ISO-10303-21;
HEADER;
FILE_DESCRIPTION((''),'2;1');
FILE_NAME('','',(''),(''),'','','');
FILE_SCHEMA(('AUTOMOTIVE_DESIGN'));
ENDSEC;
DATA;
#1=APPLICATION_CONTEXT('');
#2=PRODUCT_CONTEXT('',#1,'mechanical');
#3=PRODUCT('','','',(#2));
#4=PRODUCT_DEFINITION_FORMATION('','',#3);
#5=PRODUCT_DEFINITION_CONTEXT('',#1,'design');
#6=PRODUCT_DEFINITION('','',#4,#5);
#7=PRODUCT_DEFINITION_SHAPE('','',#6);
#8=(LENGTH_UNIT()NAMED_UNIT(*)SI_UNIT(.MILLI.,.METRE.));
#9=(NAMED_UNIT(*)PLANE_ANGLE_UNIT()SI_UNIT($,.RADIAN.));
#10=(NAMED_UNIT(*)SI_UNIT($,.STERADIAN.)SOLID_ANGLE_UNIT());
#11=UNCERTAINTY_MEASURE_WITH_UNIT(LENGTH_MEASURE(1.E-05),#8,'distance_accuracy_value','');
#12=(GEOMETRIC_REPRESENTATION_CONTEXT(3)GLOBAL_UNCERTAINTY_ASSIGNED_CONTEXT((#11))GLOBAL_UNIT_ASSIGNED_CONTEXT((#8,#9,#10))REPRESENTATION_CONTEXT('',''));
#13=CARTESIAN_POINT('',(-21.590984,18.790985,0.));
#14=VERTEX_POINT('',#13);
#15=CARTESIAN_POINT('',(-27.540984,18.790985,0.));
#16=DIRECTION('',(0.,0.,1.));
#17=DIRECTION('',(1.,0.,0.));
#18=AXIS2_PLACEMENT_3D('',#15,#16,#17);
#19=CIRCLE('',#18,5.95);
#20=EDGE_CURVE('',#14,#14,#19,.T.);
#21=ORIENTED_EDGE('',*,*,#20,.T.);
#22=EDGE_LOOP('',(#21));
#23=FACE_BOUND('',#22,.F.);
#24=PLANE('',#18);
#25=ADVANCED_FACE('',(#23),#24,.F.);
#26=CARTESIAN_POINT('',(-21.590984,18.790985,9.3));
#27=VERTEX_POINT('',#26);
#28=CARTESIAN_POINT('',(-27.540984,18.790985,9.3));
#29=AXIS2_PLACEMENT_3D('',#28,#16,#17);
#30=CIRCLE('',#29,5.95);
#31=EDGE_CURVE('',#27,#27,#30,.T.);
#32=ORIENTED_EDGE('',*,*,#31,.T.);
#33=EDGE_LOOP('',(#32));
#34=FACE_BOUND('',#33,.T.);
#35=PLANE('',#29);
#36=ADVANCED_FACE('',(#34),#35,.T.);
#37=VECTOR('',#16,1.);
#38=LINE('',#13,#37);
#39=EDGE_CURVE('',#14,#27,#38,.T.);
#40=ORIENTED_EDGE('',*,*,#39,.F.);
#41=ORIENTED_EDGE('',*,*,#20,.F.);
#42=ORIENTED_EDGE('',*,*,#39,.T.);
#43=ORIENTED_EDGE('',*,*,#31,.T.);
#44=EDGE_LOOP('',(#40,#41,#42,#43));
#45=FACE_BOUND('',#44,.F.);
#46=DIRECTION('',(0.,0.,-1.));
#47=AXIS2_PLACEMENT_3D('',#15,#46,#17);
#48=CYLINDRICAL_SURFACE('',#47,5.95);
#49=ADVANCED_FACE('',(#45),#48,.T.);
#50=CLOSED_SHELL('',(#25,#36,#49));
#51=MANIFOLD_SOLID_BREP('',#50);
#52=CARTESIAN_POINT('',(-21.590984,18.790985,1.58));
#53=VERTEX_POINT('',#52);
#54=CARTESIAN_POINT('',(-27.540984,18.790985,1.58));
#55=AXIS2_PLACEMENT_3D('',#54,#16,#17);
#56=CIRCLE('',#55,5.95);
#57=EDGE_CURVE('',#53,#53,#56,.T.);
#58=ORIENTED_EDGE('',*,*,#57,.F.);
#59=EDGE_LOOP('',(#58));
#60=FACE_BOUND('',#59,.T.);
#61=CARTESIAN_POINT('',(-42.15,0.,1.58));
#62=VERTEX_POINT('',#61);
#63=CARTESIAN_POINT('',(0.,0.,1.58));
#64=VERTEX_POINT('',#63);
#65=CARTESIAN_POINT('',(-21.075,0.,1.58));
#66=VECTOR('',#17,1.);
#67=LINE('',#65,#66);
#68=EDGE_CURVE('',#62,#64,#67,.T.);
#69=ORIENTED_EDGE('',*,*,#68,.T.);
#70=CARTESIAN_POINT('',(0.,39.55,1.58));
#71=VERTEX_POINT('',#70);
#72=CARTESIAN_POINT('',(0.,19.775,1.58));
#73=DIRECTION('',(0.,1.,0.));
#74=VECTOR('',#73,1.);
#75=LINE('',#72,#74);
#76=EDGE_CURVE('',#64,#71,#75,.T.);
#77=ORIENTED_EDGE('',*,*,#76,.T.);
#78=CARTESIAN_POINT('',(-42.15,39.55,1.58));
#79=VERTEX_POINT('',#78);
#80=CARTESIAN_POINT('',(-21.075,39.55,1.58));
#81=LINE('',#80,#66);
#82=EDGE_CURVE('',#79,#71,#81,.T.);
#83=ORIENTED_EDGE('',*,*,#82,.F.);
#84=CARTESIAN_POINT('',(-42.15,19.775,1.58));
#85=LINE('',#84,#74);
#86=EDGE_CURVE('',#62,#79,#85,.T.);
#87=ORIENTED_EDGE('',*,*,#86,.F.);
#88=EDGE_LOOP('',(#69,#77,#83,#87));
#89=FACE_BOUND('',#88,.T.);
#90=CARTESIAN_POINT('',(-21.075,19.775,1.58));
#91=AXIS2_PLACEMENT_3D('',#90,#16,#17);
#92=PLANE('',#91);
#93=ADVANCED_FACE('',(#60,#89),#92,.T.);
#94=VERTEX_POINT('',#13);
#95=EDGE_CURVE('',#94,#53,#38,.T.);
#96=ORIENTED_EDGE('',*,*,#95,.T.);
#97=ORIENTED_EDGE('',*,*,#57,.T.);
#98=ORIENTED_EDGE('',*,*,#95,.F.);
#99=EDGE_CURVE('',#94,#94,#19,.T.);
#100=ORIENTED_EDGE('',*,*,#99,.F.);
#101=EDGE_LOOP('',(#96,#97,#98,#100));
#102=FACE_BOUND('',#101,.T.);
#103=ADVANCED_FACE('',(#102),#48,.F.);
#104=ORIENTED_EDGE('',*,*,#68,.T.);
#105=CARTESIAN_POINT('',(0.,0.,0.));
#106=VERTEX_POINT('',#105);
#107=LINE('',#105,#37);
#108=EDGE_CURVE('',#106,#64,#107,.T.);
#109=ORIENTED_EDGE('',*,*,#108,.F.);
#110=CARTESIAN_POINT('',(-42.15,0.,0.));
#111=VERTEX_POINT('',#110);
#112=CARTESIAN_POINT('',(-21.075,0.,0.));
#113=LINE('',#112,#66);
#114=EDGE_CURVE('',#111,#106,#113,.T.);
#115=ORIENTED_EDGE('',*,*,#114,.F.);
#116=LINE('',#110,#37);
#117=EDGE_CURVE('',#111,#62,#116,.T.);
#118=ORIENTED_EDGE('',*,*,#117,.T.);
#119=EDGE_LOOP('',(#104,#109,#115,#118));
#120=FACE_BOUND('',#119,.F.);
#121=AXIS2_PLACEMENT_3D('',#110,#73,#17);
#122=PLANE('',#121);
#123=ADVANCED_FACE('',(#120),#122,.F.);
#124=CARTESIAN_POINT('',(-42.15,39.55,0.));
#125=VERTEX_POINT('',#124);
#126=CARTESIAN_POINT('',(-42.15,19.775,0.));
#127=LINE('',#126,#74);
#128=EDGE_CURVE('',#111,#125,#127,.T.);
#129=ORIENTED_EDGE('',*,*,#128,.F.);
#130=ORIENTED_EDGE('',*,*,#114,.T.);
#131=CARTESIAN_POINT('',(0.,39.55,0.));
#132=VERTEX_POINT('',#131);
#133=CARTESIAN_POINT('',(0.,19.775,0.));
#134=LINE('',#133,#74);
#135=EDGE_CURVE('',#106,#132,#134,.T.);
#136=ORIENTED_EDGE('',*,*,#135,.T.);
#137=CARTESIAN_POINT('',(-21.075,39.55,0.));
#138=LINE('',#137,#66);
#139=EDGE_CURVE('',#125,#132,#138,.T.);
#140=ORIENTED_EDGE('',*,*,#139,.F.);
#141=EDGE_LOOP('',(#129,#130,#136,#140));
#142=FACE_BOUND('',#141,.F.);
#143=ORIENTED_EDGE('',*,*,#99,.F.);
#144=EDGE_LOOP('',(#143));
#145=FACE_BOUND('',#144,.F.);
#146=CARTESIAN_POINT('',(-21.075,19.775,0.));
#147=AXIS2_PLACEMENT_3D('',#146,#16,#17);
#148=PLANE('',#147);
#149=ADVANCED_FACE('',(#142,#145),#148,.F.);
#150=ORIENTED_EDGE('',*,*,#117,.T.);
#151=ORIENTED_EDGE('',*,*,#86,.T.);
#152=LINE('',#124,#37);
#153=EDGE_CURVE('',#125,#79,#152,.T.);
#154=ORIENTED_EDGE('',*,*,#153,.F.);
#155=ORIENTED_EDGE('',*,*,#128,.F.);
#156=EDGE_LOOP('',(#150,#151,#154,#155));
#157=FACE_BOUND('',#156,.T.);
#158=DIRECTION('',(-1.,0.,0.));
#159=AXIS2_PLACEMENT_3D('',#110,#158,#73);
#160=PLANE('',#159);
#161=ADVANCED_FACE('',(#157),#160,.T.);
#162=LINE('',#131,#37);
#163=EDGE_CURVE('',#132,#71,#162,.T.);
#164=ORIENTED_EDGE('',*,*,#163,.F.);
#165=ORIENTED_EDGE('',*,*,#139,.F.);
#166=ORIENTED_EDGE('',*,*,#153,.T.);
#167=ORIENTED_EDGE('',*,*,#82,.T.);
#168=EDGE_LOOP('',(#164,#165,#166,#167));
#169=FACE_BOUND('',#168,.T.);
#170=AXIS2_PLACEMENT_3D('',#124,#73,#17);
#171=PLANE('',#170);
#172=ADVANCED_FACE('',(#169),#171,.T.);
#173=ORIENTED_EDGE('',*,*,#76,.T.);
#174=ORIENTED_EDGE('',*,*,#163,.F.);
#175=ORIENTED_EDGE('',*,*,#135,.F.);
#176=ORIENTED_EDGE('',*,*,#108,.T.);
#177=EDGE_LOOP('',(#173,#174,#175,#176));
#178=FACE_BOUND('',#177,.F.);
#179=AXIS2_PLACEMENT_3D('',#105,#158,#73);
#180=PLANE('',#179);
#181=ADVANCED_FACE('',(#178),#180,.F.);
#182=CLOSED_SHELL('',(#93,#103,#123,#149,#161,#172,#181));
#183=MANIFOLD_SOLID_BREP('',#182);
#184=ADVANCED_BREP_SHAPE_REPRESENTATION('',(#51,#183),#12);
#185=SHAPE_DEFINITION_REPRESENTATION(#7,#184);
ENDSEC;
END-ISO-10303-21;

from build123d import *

# Parameters (mm, degrees)
F0_R     = 5.95
F1_DEPTH = 9.3
F0_W     = 42.15
F0_H     = 39.55
F2_DEPTH = 1.58


with BuildPart() as f1:
    # F0 (on Top) → F1 (new body)
    with BuildSketch(Plane.XY):
        with Locations((-27.540984, 18.790985)):
            Circle(F0_R)
    extrude(amount=F1_DEPTH)


with BuildPart() as f2:
    # F0 (on Top) → F2 (new body)
    with BuildSketch(Plane.XY):
        with Locations((-21.075, 19.775)):
            Rectangle(F0_W, F0_H)
        with Locations((-27.540984, 18.790985)):
            Circle(F0_R, mode=Mode.SUBTRACT)
    extrude(amount=F2_DEPTH)


solid = Compound([f1.part, f2.part])
